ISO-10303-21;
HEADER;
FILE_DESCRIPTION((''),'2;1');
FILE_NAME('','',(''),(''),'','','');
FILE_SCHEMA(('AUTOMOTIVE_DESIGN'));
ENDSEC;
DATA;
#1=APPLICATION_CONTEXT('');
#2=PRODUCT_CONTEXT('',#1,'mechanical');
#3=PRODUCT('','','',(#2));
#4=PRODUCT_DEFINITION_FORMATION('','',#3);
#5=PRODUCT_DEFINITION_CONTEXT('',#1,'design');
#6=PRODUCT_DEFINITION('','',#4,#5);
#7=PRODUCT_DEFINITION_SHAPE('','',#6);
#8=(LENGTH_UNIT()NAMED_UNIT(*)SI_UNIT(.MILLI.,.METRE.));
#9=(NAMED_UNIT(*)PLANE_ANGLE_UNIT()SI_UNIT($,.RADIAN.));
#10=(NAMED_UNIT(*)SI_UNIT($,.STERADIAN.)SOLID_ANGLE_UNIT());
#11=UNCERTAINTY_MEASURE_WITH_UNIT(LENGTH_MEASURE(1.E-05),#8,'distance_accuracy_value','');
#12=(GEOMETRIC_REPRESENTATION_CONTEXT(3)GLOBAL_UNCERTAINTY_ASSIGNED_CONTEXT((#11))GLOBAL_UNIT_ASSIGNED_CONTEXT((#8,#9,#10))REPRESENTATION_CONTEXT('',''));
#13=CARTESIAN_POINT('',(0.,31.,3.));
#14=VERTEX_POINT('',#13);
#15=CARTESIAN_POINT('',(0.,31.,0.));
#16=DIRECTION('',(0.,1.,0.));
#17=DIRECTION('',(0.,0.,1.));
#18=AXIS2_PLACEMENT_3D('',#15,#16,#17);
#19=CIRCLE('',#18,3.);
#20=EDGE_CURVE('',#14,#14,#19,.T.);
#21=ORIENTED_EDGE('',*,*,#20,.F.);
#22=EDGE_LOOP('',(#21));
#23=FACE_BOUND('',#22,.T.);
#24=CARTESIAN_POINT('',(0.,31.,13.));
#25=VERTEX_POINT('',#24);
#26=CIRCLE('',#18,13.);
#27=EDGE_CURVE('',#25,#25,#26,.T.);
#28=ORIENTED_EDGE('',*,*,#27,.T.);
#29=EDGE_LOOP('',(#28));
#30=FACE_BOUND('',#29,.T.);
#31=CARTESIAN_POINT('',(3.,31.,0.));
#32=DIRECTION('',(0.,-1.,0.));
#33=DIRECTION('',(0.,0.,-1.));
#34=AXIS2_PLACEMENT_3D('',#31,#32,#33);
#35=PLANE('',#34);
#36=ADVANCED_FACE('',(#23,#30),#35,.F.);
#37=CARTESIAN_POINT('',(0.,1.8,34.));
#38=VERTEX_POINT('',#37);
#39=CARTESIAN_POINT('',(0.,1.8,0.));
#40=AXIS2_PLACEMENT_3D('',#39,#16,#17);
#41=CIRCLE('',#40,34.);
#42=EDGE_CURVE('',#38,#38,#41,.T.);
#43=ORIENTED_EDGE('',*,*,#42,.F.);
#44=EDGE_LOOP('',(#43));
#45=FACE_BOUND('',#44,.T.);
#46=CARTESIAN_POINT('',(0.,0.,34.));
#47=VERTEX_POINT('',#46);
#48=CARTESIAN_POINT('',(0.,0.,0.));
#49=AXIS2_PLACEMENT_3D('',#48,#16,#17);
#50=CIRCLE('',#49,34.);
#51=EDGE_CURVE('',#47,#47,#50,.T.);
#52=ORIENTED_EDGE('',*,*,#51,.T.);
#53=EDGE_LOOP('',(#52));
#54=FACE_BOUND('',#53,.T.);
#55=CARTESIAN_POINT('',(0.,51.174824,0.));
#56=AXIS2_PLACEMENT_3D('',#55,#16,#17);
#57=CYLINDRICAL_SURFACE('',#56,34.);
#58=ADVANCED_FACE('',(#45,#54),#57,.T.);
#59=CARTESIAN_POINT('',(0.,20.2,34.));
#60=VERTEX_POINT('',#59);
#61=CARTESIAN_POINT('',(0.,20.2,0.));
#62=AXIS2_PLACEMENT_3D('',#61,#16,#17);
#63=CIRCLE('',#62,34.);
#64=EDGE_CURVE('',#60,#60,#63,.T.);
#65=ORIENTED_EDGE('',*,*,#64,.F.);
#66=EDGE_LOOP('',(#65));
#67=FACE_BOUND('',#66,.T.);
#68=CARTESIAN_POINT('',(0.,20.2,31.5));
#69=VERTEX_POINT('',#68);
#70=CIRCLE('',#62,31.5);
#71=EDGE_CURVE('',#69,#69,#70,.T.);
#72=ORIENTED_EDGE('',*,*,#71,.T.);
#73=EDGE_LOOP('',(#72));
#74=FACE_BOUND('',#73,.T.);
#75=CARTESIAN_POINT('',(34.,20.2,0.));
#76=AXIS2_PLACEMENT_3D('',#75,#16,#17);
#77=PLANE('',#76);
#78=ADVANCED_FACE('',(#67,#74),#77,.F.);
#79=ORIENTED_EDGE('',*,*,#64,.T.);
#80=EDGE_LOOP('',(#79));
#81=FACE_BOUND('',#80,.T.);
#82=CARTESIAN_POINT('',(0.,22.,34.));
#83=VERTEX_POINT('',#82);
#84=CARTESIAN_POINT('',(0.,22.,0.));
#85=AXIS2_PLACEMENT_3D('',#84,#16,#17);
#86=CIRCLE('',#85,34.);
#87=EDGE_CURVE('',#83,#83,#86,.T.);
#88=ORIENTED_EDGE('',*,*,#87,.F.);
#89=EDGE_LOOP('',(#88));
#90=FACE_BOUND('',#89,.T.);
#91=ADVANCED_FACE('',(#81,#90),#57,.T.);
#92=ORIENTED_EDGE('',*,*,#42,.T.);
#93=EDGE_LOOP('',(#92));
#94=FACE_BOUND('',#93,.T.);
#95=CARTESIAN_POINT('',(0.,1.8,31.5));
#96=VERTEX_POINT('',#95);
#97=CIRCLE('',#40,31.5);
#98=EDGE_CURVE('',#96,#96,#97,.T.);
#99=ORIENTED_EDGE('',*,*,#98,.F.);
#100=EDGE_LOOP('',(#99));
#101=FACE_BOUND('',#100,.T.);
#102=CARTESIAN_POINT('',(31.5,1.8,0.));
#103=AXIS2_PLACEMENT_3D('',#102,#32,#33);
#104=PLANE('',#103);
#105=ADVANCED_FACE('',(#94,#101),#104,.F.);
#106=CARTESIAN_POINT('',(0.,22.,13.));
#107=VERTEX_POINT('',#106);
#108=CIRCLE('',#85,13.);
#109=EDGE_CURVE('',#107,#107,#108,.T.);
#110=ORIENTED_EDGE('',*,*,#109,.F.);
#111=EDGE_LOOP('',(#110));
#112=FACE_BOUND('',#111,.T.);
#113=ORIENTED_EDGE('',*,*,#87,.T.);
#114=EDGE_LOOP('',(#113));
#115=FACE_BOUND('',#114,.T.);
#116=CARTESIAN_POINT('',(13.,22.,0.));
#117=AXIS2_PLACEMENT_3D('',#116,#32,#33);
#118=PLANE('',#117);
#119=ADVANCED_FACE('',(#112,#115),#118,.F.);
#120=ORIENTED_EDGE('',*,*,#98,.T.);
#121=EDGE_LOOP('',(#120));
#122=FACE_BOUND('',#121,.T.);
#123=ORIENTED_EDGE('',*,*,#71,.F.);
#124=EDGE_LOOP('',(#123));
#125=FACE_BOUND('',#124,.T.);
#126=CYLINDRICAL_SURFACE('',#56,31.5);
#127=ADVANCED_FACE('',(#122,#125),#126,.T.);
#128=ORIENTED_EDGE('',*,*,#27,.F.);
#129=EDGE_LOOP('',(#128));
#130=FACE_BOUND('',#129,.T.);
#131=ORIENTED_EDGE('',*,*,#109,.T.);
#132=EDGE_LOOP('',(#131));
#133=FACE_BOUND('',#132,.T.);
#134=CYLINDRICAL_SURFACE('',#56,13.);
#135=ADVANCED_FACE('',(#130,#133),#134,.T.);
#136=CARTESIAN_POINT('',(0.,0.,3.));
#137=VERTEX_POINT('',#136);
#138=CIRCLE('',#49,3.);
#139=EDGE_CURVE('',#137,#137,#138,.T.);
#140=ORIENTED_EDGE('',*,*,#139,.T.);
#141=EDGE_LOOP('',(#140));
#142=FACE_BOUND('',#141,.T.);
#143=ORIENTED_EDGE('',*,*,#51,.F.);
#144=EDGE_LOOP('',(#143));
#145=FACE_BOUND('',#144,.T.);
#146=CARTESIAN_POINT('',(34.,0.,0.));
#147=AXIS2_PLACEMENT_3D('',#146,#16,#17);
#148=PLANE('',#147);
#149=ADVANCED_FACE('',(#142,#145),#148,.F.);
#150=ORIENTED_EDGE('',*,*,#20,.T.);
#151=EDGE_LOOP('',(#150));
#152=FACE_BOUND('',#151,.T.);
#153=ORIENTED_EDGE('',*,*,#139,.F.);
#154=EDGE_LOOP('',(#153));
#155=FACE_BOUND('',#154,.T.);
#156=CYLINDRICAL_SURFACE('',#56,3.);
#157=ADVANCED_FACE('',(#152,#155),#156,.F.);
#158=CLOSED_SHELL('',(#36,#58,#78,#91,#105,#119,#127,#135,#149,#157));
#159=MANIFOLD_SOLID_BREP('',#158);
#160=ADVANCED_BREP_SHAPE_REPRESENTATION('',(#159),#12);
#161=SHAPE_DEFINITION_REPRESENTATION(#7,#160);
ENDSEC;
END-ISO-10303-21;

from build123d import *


with BuildPart() as part:
    # Sketch1 → Revolve1 (revolve)
    with BuildSketch(Plane.XY, mode=Mode.PRIVATE) as revolve1_sk:
        Polygon((3, 31), (13, 31), (13, 22), (34, 22), (34, 20.2), (31.5, 20.2), (31.5, 1.8), (34, 1.8), (34, 0), (3, 0), align=None)
    revolve(revolve1_sk.sketch.rotate(Axis((0, 51.174824137, 0), (0, -1, 0)), 90), axis=Axis((0, 51.174824137, 0), (0, -1, 0)))


solid = part.part
